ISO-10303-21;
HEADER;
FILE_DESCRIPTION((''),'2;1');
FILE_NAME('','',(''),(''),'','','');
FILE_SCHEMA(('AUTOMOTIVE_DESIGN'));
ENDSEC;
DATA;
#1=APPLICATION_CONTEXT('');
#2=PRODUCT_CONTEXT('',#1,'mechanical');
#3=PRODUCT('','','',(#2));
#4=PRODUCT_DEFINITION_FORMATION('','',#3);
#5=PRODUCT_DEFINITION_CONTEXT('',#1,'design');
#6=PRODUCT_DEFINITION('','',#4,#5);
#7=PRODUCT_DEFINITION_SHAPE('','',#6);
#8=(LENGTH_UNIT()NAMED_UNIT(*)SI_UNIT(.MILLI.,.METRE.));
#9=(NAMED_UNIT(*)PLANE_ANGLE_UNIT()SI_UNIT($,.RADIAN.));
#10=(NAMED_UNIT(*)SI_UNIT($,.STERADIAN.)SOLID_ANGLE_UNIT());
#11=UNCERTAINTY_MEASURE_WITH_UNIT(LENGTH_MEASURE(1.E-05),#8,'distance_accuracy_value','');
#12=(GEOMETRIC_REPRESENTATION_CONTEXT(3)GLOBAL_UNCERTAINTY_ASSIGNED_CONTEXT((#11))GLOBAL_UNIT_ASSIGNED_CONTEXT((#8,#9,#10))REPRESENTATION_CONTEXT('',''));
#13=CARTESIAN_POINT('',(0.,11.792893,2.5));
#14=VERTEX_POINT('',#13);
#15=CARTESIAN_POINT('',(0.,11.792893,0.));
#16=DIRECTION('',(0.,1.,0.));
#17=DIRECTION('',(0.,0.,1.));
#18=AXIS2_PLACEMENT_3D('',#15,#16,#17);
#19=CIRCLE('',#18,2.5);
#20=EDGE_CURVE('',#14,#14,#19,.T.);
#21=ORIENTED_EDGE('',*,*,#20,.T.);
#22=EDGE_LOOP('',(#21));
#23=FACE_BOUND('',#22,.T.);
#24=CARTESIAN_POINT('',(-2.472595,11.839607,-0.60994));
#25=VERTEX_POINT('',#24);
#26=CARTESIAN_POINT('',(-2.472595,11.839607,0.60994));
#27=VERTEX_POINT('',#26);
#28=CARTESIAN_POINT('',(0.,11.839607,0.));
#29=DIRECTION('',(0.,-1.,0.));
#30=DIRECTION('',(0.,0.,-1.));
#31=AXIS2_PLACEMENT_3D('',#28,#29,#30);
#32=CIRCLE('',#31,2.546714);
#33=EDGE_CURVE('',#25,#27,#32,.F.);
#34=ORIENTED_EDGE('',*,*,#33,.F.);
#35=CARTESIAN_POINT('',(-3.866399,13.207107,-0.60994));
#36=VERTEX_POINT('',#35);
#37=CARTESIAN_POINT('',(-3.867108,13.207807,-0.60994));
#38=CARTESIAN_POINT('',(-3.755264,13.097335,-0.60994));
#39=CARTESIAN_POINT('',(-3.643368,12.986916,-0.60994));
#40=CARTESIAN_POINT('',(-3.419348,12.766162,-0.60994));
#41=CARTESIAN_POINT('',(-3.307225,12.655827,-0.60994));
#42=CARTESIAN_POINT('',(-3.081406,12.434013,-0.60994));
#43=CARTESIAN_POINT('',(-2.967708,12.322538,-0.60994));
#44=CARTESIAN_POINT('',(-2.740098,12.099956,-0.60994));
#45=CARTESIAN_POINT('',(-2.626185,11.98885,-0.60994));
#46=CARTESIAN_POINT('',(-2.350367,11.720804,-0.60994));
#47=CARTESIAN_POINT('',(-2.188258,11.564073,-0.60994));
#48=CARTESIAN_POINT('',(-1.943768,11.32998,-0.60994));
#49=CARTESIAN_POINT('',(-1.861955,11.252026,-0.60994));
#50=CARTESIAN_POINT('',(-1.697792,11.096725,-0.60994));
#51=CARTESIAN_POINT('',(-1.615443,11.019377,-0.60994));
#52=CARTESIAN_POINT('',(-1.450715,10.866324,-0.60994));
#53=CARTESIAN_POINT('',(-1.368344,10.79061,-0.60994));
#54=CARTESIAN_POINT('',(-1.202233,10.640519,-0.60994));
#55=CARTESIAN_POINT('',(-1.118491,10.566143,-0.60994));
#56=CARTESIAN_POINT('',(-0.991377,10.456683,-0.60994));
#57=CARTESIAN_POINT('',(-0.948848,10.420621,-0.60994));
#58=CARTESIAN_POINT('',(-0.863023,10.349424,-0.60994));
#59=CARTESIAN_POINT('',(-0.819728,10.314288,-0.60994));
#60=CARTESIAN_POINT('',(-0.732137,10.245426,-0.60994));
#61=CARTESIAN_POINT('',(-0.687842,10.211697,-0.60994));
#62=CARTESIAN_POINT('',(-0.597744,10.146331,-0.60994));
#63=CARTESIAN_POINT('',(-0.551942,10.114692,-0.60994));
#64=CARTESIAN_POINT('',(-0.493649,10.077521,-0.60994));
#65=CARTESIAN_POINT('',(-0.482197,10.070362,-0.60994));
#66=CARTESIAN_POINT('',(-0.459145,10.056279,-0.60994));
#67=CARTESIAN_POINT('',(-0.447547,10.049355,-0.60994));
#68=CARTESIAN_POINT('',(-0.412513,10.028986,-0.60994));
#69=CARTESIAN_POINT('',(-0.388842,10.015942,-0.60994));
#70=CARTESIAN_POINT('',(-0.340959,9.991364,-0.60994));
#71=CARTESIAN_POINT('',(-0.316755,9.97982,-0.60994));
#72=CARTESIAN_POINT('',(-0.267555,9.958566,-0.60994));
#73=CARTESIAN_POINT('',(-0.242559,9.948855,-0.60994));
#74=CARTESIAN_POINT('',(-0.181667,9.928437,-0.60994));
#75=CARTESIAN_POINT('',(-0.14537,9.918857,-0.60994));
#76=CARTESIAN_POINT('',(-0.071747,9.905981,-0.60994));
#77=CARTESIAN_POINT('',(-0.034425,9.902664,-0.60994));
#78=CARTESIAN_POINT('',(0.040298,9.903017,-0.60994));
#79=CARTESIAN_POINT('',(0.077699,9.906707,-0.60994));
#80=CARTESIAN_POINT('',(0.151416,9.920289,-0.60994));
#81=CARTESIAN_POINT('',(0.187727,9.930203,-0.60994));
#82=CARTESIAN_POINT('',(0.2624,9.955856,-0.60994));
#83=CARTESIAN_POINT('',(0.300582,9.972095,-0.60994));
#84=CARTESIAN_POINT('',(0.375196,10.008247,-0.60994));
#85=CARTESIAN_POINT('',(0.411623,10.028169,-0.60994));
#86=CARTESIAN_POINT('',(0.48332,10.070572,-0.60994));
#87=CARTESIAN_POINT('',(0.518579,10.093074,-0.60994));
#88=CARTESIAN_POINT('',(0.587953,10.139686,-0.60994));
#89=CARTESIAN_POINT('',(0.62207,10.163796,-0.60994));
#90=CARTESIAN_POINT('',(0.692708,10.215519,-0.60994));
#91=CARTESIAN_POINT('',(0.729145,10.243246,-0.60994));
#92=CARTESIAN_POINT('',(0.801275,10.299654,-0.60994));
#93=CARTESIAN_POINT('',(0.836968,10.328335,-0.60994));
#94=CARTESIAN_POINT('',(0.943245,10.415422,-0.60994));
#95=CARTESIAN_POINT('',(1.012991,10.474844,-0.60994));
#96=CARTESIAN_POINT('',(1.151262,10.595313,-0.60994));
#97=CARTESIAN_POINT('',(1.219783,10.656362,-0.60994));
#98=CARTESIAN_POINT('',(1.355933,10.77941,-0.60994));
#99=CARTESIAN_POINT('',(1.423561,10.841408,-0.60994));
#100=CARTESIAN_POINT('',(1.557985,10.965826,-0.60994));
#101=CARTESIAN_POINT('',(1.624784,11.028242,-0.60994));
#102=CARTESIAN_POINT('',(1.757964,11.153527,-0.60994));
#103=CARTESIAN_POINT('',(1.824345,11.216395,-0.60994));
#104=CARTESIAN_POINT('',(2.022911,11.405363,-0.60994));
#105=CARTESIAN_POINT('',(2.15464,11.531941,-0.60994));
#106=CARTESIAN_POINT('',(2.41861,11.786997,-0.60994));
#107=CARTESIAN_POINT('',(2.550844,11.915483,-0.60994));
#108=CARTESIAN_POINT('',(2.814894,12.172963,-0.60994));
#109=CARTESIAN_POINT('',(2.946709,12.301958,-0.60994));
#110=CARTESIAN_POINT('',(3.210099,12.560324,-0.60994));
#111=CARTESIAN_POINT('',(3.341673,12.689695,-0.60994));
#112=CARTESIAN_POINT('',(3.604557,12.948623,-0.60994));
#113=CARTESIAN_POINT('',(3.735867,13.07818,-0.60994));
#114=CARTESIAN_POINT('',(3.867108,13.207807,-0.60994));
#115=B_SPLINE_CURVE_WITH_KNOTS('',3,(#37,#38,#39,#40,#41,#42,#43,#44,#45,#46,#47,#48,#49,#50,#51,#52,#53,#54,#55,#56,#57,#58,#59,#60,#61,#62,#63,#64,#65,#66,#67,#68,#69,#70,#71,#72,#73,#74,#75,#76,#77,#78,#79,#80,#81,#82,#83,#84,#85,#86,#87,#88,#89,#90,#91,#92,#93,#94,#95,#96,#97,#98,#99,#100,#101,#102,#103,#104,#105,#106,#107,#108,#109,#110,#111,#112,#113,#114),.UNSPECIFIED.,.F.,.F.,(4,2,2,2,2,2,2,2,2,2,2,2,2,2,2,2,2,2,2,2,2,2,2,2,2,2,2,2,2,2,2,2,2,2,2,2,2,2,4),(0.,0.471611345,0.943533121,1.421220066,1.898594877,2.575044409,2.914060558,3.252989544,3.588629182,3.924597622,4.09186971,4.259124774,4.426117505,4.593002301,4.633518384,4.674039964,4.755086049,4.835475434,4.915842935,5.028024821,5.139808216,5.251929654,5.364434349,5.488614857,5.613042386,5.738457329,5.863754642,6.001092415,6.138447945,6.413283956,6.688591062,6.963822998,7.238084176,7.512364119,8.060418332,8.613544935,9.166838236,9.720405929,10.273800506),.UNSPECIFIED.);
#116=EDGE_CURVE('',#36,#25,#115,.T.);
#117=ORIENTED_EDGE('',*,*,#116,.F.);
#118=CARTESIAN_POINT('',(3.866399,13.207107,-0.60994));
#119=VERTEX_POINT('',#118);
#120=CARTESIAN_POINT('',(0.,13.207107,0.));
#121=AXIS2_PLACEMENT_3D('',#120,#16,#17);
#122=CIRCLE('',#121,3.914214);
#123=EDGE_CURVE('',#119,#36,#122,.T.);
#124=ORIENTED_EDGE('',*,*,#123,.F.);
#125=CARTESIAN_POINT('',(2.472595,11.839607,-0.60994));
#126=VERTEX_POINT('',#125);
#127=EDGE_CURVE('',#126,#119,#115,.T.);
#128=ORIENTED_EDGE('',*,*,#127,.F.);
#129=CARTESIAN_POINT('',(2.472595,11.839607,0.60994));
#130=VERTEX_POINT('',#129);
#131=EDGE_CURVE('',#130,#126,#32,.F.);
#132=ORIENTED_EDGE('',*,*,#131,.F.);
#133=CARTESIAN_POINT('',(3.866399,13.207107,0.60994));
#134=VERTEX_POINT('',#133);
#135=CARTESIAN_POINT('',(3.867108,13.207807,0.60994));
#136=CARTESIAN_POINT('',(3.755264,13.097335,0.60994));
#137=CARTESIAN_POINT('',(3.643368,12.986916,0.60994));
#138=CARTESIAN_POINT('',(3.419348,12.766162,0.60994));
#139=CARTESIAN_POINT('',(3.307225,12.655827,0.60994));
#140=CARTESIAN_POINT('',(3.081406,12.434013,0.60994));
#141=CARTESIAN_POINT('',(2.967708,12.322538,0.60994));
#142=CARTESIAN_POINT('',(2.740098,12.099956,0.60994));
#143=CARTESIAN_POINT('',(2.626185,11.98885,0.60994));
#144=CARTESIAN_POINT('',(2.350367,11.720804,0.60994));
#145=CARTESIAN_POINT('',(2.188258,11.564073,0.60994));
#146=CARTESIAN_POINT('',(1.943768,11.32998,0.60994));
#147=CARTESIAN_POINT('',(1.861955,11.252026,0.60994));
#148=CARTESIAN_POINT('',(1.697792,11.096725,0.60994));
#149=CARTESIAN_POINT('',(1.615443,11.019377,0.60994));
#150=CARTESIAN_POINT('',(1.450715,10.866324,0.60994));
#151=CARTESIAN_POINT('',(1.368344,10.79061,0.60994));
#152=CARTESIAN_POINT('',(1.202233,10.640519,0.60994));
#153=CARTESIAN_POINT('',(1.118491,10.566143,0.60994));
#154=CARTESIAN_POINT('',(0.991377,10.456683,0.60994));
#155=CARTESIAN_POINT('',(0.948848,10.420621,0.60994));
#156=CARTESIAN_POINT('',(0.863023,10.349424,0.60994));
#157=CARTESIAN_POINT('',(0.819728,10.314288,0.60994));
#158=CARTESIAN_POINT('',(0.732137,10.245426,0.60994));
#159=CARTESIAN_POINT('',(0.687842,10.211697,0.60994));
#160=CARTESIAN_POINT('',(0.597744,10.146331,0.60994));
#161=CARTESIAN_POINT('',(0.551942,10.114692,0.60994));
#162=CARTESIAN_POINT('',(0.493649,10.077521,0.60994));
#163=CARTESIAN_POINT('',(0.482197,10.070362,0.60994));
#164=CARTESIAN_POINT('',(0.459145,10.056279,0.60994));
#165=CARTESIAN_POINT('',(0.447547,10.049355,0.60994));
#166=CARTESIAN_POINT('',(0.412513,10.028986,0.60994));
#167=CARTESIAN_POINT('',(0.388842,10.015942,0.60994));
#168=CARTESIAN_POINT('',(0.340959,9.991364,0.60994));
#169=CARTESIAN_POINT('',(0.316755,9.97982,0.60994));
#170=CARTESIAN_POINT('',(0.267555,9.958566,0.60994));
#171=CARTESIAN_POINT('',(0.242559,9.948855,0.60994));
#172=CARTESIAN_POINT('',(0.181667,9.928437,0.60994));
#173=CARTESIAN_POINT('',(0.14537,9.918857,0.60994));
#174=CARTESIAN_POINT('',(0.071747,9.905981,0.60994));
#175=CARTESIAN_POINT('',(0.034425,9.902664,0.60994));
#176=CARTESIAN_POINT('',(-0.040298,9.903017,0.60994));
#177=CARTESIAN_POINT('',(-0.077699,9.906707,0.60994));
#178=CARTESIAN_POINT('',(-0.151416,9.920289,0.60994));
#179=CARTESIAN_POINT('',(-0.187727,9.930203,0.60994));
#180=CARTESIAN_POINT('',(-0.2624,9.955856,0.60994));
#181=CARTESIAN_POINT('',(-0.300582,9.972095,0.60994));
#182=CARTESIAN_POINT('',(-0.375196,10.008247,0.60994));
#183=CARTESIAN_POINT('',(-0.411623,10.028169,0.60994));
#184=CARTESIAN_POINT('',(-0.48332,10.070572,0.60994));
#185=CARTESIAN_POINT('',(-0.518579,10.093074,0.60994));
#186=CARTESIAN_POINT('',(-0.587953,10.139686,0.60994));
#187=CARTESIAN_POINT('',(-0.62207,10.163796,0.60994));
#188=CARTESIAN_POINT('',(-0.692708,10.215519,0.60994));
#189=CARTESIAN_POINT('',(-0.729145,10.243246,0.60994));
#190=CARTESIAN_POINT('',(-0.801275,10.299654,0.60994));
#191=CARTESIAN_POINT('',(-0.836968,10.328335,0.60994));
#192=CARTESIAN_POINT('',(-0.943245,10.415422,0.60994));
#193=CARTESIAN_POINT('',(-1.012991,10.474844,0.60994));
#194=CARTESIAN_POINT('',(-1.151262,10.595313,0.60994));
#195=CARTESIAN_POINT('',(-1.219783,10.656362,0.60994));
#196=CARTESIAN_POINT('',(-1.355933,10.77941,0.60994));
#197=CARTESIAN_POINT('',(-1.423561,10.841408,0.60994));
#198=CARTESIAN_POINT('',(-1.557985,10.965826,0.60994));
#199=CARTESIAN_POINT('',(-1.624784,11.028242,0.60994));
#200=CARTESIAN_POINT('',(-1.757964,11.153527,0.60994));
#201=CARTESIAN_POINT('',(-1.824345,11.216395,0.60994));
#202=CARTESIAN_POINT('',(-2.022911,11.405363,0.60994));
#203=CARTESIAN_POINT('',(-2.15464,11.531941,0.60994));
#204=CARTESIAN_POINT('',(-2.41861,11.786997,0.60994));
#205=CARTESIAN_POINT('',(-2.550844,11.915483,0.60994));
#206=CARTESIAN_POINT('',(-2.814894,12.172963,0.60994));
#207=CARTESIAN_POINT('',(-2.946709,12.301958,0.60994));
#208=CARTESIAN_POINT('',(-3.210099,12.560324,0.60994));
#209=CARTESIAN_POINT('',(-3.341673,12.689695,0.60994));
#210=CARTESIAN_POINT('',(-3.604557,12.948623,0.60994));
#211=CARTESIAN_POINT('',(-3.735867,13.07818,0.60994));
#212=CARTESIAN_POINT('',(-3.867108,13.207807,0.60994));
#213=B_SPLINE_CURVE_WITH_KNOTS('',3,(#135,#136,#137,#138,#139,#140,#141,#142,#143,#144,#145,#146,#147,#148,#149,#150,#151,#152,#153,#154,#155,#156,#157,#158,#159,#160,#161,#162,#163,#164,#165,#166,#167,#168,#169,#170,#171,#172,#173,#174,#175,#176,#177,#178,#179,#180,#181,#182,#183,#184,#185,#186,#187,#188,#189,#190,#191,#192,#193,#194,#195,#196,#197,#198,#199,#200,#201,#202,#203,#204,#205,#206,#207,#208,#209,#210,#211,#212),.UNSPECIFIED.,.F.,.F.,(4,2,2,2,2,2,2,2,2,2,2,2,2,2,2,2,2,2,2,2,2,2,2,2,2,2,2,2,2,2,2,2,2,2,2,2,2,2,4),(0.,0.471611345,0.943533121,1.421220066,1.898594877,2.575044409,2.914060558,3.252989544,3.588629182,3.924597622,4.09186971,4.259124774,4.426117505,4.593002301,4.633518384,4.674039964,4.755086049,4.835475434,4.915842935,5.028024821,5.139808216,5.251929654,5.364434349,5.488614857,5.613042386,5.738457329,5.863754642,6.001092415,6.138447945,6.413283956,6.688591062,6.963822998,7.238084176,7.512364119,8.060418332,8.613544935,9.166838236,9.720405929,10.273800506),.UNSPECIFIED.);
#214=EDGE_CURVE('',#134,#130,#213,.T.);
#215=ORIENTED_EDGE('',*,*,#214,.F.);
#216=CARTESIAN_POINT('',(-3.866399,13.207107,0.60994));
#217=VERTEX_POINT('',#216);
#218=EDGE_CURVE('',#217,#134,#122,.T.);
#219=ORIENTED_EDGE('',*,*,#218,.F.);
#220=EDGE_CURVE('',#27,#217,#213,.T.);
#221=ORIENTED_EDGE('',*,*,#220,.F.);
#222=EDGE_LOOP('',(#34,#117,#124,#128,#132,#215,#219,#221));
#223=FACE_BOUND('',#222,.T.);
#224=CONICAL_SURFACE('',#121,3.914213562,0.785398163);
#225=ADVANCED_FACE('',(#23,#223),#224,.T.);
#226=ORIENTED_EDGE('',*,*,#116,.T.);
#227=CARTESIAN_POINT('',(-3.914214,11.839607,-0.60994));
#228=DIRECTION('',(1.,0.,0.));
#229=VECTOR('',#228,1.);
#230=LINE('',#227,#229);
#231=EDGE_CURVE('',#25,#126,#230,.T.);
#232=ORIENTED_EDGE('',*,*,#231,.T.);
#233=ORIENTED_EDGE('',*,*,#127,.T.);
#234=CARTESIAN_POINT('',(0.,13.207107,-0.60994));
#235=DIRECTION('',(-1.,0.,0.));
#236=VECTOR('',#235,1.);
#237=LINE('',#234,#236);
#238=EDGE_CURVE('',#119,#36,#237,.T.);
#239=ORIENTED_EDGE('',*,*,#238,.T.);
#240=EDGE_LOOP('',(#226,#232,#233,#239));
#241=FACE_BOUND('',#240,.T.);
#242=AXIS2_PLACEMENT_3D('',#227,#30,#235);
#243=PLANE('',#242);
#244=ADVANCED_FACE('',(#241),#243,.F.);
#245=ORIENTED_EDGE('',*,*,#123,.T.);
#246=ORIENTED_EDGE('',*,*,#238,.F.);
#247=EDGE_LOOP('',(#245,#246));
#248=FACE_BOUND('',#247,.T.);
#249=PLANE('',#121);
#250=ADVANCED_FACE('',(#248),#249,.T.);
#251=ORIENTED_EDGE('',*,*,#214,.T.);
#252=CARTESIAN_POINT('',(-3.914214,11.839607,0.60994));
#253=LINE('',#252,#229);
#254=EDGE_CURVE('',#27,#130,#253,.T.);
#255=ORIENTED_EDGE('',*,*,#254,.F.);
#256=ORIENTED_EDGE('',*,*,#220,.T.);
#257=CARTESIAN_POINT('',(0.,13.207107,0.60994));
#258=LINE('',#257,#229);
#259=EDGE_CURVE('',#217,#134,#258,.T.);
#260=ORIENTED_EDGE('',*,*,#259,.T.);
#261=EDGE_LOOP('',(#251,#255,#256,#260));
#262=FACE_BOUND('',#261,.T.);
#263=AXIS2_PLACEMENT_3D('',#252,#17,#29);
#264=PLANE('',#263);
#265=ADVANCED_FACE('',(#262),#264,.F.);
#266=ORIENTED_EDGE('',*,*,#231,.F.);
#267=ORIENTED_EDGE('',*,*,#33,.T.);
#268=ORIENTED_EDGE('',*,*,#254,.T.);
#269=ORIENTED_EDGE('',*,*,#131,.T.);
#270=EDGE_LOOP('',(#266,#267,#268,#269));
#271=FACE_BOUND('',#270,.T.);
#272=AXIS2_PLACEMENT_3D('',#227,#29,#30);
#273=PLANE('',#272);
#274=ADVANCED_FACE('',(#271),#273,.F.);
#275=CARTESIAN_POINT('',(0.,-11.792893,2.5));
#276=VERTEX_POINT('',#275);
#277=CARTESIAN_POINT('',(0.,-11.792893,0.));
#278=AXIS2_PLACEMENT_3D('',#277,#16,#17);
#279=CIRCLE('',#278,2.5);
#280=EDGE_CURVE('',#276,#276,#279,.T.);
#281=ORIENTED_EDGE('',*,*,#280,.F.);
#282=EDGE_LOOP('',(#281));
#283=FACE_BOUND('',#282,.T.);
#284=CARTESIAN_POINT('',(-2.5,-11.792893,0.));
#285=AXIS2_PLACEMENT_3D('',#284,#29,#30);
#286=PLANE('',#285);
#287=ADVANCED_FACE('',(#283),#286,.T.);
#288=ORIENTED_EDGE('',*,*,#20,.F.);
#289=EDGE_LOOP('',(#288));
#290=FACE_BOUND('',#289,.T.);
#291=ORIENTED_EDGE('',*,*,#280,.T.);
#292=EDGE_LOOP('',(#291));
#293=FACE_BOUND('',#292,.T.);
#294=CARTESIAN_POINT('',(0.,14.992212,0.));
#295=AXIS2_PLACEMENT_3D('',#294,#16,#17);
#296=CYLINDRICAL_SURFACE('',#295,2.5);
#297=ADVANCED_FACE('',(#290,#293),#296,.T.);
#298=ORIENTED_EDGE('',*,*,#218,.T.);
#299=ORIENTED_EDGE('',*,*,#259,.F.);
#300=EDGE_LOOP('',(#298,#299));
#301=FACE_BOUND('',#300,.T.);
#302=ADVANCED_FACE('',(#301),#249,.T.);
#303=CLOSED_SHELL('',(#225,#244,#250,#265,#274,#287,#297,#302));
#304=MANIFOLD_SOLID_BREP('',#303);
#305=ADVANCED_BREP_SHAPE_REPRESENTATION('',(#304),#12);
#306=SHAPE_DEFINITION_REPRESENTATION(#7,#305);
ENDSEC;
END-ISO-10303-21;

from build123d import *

# Parameters (mm, degrees)
CUT_EXTRUDE1_DEPTH      = 15.320258557
CUT_EXTRUDE1_DEPTH_BACK = 15.320258557
SKETCH2_W               = 1.219880404
SKETCH2_H               = 2.734998975


with BuildPart() as part:
    # Sketch1 → Revolve1 (revolve)
    with BuildSketch(Plane.XY, mode=Mode.PRIVATE) as revolve1_sk:
        Polygon((0, 13.207106781), (-3.914213562, 13.207106781), (-2.5, 11.792893219), (-2.5, -11.792893219), (0, -11.792893219), align=None)
    revolve(revolve1_sk.sketch.rotate(Axis((0, 14.992211838, 0), (0, -1, 0)), 270), axis=Axis((0, 14.992211838, 0), (0, -1, 0)))

    # Sketch2 → Cut-Extrude1 (cut, two sides: drawn at the far end of the back side and taken through both)
    with BuildSketch(Plane(origin=(0, 0, 0), x_dir=(0, 0, -1), z_dir=(1, 0, 0)).offset(-CUT_EXTRUDE1_DEPTH_BACK)):
        with Locations((0, 13.207106782)):
            Rectangle(SKETCH2_W, SKETCH2_H)
    extrude(amount=CUT_EXTRUDE1_DEPTH + CUT_EXTRUDE1_DEPTH_BACK, mode=Mode.SUBTRACT)


solid = part.part
